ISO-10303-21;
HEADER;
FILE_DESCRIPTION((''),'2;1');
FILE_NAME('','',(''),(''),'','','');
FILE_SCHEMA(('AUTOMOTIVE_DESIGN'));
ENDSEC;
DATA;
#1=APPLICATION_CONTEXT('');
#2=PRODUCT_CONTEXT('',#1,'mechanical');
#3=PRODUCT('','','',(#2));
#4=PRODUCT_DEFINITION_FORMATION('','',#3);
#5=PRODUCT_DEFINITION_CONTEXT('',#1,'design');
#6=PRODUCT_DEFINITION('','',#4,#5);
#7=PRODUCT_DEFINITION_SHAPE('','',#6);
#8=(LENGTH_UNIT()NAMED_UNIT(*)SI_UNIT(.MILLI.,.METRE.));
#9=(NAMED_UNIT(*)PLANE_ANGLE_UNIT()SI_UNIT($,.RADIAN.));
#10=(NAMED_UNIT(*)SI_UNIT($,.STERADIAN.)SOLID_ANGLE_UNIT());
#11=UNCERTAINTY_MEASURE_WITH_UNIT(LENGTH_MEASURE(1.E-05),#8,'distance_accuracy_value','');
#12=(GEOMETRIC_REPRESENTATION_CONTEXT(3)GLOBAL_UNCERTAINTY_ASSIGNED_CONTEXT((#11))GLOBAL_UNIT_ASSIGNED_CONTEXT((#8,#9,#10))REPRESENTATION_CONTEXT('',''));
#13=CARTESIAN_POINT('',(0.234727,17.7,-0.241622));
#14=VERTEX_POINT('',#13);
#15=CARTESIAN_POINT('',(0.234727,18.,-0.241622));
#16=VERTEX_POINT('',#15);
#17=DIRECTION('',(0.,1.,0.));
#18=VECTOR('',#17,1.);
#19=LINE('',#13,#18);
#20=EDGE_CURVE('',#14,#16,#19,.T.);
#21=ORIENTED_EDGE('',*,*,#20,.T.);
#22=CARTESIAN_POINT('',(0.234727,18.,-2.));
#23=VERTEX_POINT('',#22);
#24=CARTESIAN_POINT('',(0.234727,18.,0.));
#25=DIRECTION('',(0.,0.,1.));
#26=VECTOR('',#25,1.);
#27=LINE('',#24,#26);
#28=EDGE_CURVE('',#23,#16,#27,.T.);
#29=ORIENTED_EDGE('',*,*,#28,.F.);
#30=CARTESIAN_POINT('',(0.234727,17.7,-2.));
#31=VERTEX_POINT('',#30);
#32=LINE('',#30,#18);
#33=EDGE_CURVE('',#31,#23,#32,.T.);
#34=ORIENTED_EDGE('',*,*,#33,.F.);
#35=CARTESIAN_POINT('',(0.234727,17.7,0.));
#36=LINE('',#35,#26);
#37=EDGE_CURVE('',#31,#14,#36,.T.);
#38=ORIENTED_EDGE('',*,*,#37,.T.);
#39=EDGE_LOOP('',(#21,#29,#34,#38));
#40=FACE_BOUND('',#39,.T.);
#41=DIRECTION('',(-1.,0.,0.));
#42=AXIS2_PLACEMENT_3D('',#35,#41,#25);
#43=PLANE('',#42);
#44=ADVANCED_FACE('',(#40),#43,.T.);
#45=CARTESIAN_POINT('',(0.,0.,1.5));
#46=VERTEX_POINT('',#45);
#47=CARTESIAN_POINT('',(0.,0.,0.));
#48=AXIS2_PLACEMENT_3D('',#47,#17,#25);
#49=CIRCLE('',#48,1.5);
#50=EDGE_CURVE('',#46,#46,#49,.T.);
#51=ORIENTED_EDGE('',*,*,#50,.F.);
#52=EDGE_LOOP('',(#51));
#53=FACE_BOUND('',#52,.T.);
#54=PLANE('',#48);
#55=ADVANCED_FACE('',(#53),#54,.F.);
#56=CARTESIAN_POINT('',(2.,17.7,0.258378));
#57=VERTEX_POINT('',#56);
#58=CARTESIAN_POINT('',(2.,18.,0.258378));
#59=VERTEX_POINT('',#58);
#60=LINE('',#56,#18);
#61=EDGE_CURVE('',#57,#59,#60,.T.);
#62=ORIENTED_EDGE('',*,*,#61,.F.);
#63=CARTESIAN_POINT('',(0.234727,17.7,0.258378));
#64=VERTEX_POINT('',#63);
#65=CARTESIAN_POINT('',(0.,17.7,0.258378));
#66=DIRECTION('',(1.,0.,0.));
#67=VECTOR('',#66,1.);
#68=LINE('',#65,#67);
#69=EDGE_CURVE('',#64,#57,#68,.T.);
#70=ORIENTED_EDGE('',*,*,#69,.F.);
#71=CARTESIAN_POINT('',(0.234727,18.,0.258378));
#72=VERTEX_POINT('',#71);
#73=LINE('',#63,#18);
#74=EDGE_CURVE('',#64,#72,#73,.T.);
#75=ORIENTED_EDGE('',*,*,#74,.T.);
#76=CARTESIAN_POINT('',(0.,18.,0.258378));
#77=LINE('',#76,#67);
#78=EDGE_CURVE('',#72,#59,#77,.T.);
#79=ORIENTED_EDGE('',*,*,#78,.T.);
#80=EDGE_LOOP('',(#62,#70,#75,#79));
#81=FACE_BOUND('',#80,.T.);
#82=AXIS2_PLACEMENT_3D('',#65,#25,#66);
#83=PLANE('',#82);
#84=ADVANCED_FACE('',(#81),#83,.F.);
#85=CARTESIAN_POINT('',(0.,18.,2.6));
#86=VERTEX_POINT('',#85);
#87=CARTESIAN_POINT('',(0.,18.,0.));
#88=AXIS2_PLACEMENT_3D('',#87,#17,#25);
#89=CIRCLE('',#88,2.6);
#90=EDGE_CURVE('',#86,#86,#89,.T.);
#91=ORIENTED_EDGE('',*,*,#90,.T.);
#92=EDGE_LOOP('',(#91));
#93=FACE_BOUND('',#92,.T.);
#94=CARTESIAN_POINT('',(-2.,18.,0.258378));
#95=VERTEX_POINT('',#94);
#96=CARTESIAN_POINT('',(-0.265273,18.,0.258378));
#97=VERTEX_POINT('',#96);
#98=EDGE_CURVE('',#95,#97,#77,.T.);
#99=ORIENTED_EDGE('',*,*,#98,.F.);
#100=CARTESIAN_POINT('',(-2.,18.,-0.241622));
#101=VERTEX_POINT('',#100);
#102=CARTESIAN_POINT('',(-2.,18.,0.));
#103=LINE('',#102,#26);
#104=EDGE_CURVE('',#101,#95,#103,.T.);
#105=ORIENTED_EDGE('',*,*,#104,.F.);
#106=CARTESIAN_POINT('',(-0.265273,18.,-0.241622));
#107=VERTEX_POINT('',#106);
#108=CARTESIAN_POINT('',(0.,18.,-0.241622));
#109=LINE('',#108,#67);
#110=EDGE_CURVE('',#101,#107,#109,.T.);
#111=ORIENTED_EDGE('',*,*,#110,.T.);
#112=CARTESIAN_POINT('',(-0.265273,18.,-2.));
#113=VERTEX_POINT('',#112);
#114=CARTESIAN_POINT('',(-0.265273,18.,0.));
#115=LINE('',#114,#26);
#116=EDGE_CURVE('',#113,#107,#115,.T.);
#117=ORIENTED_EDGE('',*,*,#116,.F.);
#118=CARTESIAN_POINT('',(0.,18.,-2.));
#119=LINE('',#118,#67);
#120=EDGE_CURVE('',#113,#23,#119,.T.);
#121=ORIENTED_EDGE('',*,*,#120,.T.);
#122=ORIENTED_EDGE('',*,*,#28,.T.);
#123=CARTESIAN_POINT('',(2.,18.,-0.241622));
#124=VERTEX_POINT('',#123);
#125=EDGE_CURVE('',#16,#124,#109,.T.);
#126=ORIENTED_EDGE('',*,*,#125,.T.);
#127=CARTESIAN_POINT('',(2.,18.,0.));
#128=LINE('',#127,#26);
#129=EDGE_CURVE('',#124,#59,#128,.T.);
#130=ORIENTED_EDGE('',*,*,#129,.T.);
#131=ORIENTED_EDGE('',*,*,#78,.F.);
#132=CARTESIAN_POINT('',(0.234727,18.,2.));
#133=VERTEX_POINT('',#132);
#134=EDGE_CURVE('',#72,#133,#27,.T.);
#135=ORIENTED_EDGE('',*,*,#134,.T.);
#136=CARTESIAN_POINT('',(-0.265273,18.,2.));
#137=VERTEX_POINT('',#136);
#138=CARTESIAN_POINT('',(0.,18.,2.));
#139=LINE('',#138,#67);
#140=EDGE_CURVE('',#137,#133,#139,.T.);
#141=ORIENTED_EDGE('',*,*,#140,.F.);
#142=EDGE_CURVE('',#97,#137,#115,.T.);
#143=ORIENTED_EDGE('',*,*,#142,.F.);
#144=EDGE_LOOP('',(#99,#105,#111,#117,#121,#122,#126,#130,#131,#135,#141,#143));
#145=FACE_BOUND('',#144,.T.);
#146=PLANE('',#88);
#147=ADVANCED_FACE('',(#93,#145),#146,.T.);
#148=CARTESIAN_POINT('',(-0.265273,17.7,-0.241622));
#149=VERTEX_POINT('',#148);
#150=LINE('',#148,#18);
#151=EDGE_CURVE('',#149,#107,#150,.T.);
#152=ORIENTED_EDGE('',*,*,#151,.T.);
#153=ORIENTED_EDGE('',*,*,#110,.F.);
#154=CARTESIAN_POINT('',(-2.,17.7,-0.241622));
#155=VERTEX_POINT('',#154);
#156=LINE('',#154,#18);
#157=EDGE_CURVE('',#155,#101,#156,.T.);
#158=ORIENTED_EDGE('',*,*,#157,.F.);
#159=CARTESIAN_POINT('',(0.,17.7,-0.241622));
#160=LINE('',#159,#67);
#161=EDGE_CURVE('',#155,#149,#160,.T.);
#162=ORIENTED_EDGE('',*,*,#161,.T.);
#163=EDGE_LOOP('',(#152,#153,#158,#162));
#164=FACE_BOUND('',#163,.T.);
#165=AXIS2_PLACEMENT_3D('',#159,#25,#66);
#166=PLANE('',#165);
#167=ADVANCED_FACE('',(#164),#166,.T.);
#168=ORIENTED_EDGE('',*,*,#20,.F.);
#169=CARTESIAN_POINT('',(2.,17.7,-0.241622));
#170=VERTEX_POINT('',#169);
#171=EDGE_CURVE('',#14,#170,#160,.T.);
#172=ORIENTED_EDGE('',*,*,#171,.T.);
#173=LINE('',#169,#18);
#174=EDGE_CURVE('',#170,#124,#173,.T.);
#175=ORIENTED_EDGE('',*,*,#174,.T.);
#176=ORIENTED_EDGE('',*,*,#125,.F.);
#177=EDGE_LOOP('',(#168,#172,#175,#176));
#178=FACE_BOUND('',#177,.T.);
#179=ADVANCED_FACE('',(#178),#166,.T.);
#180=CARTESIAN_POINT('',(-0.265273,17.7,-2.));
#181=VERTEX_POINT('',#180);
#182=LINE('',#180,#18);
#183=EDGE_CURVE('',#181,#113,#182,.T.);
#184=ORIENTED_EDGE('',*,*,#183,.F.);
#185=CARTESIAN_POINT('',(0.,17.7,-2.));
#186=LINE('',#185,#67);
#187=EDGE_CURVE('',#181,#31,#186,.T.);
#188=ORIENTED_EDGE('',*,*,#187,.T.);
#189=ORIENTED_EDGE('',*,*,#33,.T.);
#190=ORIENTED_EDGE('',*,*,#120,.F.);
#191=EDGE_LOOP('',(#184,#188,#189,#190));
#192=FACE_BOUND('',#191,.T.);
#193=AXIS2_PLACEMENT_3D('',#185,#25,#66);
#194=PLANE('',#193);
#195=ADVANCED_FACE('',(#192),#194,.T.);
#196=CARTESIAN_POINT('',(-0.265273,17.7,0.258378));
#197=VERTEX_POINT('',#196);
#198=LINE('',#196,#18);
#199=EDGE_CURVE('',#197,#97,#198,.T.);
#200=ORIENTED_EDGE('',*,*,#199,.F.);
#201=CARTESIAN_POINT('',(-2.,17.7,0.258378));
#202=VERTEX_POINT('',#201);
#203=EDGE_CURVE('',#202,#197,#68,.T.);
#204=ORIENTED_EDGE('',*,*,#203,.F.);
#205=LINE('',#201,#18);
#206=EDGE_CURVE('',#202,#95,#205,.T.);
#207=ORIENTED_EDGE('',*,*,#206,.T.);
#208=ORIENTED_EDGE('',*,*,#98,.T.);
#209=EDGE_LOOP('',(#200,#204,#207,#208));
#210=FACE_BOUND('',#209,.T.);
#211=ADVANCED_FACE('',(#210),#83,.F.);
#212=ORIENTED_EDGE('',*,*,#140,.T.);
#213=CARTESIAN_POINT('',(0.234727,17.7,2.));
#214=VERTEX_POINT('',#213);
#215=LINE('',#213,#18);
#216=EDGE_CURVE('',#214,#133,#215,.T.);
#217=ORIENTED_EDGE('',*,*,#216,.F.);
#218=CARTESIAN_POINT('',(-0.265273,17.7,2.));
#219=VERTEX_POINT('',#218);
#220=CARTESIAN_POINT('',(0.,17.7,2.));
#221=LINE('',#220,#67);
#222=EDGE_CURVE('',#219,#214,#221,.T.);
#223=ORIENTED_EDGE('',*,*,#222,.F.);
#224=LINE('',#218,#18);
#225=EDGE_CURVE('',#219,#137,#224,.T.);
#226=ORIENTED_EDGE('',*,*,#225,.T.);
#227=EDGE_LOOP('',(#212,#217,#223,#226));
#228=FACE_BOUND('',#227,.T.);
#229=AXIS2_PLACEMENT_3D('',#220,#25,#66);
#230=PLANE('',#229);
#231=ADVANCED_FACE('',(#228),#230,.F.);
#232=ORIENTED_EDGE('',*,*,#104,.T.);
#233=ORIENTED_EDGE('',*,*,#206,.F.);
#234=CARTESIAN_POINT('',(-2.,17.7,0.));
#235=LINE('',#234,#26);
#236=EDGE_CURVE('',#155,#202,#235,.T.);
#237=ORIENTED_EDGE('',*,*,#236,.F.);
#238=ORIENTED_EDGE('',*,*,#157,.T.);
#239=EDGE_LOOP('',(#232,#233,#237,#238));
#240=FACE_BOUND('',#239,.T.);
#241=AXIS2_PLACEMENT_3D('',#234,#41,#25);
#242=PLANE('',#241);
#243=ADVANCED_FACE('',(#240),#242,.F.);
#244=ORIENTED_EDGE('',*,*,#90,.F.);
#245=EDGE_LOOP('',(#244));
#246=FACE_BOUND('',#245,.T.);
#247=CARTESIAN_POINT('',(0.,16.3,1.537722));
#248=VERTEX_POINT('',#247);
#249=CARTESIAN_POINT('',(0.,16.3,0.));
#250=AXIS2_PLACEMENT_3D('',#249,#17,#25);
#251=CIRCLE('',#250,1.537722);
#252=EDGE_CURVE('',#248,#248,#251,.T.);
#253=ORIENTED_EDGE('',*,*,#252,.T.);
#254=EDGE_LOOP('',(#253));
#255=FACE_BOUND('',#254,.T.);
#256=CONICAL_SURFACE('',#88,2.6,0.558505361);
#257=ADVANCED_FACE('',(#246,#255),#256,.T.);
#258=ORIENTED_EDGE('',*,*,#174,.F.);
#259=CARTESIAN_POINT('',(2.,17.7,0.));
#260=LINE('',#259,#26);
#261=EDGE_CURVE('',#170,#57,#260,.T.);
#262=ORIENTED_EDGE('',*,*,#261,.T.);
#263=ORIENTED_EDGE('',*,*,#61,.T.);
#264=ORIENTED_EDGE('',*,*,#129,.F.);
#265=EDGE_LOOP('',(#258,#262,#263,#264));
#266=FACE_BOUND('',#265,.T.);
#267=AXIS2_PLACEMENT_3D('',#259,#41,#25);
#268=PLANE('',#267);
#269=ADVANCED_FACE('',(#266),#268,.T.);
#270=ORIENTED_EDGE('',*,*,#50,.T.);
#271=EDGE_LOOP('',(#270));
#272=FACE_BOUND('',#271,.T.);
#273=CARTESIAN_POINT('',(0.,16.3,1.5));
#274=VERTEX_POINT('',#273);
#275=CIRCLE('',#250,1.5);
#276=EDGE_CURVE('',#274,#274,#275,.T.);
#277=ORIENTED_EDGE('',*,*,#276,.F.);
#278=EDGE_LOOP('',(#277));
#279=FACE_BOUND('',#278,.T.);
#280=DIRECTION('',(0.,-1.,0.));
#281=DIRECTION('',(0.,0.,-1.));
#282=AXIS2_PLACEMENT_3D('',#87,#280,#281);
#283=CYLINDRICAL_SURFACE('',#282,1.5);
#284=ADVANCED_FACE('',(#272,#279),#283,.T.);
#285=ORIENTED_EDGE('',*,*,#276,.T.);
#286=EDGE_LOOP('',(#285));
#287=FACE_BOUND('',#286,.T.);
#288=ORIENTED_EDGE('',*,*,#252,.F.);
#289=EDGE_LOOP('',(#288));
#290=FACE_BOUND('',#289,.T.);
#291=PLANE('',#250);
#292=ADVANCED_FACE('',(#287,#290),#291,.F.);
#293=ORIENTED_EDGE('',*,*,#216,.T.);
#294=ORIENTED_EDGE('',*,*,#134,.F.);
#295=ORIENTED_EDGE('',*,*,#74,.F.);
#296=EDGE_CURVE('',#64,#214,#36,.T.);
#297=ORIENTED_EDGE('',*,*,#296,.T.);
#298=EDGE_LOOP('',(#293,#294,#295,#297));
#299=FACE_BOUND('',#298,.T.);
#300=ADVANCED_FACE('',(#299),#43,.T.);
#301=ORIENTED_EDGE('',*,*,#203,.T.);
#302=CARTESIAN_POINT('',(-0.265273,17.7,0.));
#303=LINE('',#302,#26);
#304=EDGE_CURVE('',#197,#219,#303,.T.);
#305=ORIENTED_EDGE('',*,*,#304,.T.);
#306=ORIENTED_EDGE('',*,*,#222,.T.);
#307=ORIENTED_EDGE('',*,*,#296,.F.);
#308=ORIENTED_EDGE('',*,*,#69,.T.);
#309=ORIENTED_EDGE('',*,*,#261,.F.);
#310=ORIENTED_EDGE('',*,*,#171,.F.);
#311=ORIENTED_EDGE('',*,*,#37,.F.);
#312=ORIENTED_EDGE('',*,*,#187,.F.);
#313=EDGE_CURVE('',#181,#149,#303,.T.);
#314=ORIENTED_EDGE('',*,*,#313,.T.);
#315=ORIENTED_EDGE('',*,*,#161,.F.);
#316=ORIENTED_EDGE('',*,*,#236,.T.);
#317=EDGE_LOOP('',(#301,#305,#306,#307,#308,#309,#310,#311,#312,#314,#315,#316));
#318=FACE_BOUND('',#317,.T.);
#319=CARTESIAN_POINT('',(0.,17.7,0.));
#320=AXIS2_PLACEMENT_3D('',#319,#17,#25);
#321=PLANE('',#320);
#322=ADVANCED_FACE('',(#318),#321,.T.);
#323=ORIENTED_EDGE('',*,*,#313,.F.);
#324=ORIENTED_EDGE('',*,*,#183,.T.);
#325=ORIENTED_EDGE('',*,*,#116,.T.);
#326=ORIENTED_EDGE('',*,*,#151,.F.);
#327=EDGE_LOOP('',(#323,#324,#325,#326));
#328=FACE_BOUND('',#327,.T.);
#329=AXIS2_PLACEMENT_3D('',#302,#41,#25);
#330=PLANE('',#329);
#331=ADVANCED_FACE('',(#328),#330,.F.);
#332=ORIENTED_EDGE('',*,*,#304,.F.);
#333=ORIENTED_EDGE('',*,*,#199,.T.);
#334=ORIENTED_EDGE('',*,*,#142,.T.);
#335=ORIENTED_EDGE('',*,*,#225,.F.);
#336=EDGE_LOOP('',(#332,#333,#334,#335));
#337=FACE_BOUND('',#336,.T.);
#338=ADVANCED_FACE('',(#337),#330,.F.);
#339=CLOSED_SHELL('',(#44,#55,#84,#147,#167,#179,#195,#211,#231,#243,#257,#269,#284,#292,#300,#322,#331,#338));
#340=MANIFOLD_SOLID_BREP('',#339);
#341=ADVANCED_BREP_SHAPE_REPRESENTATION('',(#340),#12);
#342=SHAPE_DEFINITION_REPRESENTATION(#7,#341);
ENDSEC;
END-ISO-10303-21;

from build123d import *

# Parameters (mm, degrees)
SKETCH1_R           = 1.5
BOSS_EXTRUDE1_DEPTH = 18
SKETCH2_R           = 2.6
BOSS_EXTRUDE2_DEPTH = 1.7
BOSS_EXTRUDE2_TAPER = 32
SKETCH3_W           = 0.5
SKETCH3_H           = 1.758378485
SKETCH3_H_2         = 1.741621515
SKETCH3_W_2         = 1.734727157
SKETCH3_H_3         = 0.5
SKETCH3_W_3         = 1.765272843
CUT_EXTRUDE1_DEPTH  = 0.3


with BuildPart() as part:
    # Sketch1 → Boss-Extrude1 (new body)
    with BuildSketch(Plane(origin=(0, 0, 0), x_dir=(1, 0, 0), z_dir=(0, 1, 0))):
        Circle(SKETCH1_R)
    extrude(amount=BOSS_EXTRUDE1_DEPTH)

    # Sketch2 → Boss-Extrude2 (add)
    with BuildSketch(Plane(origin=(0, 18, 0), x_dir=(1, 0, 0), z_dir=(0, 1, 0))):
        Circle(SKETCH2_R)
    extrude(amount=-BOSS_EXTRUDE2_DEPTH, taper=BOSS_EXTRUDE2_TAPER)

    # Sketch3 → Cut-Extrude1 (cut)
    with BuildSketch(Plane(origin=(0, 18, 0), x_dir=(1, 0, 0), z_dir=(0, 1, 0))):
        with Locations((-0.015272843, 1.120810757)):
            Rectangle(SKETCH3_W, SKETCH3_H)
        with Locations((-0.015272843, -1.129189243)):
            Rectangle(SKETCH3_W, SKETCH3_H_2)
        with Locations((-1.132636421, -0.008378485)):
            Rectangle(SKETCH3_W_2, SKETCH3_H_3)
        with Locations((1.117363579, -0.008378485)):
            Rectangle(SKETCH3_W_3, SKETCH3_H_3)
        with Locations((-0.015272843, -0.008378485)):
            Rectangle(SKETCH3_W, SKETCH3_H_3)
    extrude(amount=-CUT_EXTRUDE1_DEPTH, mode=Mode.SUBTRACT)


solid = part.part
